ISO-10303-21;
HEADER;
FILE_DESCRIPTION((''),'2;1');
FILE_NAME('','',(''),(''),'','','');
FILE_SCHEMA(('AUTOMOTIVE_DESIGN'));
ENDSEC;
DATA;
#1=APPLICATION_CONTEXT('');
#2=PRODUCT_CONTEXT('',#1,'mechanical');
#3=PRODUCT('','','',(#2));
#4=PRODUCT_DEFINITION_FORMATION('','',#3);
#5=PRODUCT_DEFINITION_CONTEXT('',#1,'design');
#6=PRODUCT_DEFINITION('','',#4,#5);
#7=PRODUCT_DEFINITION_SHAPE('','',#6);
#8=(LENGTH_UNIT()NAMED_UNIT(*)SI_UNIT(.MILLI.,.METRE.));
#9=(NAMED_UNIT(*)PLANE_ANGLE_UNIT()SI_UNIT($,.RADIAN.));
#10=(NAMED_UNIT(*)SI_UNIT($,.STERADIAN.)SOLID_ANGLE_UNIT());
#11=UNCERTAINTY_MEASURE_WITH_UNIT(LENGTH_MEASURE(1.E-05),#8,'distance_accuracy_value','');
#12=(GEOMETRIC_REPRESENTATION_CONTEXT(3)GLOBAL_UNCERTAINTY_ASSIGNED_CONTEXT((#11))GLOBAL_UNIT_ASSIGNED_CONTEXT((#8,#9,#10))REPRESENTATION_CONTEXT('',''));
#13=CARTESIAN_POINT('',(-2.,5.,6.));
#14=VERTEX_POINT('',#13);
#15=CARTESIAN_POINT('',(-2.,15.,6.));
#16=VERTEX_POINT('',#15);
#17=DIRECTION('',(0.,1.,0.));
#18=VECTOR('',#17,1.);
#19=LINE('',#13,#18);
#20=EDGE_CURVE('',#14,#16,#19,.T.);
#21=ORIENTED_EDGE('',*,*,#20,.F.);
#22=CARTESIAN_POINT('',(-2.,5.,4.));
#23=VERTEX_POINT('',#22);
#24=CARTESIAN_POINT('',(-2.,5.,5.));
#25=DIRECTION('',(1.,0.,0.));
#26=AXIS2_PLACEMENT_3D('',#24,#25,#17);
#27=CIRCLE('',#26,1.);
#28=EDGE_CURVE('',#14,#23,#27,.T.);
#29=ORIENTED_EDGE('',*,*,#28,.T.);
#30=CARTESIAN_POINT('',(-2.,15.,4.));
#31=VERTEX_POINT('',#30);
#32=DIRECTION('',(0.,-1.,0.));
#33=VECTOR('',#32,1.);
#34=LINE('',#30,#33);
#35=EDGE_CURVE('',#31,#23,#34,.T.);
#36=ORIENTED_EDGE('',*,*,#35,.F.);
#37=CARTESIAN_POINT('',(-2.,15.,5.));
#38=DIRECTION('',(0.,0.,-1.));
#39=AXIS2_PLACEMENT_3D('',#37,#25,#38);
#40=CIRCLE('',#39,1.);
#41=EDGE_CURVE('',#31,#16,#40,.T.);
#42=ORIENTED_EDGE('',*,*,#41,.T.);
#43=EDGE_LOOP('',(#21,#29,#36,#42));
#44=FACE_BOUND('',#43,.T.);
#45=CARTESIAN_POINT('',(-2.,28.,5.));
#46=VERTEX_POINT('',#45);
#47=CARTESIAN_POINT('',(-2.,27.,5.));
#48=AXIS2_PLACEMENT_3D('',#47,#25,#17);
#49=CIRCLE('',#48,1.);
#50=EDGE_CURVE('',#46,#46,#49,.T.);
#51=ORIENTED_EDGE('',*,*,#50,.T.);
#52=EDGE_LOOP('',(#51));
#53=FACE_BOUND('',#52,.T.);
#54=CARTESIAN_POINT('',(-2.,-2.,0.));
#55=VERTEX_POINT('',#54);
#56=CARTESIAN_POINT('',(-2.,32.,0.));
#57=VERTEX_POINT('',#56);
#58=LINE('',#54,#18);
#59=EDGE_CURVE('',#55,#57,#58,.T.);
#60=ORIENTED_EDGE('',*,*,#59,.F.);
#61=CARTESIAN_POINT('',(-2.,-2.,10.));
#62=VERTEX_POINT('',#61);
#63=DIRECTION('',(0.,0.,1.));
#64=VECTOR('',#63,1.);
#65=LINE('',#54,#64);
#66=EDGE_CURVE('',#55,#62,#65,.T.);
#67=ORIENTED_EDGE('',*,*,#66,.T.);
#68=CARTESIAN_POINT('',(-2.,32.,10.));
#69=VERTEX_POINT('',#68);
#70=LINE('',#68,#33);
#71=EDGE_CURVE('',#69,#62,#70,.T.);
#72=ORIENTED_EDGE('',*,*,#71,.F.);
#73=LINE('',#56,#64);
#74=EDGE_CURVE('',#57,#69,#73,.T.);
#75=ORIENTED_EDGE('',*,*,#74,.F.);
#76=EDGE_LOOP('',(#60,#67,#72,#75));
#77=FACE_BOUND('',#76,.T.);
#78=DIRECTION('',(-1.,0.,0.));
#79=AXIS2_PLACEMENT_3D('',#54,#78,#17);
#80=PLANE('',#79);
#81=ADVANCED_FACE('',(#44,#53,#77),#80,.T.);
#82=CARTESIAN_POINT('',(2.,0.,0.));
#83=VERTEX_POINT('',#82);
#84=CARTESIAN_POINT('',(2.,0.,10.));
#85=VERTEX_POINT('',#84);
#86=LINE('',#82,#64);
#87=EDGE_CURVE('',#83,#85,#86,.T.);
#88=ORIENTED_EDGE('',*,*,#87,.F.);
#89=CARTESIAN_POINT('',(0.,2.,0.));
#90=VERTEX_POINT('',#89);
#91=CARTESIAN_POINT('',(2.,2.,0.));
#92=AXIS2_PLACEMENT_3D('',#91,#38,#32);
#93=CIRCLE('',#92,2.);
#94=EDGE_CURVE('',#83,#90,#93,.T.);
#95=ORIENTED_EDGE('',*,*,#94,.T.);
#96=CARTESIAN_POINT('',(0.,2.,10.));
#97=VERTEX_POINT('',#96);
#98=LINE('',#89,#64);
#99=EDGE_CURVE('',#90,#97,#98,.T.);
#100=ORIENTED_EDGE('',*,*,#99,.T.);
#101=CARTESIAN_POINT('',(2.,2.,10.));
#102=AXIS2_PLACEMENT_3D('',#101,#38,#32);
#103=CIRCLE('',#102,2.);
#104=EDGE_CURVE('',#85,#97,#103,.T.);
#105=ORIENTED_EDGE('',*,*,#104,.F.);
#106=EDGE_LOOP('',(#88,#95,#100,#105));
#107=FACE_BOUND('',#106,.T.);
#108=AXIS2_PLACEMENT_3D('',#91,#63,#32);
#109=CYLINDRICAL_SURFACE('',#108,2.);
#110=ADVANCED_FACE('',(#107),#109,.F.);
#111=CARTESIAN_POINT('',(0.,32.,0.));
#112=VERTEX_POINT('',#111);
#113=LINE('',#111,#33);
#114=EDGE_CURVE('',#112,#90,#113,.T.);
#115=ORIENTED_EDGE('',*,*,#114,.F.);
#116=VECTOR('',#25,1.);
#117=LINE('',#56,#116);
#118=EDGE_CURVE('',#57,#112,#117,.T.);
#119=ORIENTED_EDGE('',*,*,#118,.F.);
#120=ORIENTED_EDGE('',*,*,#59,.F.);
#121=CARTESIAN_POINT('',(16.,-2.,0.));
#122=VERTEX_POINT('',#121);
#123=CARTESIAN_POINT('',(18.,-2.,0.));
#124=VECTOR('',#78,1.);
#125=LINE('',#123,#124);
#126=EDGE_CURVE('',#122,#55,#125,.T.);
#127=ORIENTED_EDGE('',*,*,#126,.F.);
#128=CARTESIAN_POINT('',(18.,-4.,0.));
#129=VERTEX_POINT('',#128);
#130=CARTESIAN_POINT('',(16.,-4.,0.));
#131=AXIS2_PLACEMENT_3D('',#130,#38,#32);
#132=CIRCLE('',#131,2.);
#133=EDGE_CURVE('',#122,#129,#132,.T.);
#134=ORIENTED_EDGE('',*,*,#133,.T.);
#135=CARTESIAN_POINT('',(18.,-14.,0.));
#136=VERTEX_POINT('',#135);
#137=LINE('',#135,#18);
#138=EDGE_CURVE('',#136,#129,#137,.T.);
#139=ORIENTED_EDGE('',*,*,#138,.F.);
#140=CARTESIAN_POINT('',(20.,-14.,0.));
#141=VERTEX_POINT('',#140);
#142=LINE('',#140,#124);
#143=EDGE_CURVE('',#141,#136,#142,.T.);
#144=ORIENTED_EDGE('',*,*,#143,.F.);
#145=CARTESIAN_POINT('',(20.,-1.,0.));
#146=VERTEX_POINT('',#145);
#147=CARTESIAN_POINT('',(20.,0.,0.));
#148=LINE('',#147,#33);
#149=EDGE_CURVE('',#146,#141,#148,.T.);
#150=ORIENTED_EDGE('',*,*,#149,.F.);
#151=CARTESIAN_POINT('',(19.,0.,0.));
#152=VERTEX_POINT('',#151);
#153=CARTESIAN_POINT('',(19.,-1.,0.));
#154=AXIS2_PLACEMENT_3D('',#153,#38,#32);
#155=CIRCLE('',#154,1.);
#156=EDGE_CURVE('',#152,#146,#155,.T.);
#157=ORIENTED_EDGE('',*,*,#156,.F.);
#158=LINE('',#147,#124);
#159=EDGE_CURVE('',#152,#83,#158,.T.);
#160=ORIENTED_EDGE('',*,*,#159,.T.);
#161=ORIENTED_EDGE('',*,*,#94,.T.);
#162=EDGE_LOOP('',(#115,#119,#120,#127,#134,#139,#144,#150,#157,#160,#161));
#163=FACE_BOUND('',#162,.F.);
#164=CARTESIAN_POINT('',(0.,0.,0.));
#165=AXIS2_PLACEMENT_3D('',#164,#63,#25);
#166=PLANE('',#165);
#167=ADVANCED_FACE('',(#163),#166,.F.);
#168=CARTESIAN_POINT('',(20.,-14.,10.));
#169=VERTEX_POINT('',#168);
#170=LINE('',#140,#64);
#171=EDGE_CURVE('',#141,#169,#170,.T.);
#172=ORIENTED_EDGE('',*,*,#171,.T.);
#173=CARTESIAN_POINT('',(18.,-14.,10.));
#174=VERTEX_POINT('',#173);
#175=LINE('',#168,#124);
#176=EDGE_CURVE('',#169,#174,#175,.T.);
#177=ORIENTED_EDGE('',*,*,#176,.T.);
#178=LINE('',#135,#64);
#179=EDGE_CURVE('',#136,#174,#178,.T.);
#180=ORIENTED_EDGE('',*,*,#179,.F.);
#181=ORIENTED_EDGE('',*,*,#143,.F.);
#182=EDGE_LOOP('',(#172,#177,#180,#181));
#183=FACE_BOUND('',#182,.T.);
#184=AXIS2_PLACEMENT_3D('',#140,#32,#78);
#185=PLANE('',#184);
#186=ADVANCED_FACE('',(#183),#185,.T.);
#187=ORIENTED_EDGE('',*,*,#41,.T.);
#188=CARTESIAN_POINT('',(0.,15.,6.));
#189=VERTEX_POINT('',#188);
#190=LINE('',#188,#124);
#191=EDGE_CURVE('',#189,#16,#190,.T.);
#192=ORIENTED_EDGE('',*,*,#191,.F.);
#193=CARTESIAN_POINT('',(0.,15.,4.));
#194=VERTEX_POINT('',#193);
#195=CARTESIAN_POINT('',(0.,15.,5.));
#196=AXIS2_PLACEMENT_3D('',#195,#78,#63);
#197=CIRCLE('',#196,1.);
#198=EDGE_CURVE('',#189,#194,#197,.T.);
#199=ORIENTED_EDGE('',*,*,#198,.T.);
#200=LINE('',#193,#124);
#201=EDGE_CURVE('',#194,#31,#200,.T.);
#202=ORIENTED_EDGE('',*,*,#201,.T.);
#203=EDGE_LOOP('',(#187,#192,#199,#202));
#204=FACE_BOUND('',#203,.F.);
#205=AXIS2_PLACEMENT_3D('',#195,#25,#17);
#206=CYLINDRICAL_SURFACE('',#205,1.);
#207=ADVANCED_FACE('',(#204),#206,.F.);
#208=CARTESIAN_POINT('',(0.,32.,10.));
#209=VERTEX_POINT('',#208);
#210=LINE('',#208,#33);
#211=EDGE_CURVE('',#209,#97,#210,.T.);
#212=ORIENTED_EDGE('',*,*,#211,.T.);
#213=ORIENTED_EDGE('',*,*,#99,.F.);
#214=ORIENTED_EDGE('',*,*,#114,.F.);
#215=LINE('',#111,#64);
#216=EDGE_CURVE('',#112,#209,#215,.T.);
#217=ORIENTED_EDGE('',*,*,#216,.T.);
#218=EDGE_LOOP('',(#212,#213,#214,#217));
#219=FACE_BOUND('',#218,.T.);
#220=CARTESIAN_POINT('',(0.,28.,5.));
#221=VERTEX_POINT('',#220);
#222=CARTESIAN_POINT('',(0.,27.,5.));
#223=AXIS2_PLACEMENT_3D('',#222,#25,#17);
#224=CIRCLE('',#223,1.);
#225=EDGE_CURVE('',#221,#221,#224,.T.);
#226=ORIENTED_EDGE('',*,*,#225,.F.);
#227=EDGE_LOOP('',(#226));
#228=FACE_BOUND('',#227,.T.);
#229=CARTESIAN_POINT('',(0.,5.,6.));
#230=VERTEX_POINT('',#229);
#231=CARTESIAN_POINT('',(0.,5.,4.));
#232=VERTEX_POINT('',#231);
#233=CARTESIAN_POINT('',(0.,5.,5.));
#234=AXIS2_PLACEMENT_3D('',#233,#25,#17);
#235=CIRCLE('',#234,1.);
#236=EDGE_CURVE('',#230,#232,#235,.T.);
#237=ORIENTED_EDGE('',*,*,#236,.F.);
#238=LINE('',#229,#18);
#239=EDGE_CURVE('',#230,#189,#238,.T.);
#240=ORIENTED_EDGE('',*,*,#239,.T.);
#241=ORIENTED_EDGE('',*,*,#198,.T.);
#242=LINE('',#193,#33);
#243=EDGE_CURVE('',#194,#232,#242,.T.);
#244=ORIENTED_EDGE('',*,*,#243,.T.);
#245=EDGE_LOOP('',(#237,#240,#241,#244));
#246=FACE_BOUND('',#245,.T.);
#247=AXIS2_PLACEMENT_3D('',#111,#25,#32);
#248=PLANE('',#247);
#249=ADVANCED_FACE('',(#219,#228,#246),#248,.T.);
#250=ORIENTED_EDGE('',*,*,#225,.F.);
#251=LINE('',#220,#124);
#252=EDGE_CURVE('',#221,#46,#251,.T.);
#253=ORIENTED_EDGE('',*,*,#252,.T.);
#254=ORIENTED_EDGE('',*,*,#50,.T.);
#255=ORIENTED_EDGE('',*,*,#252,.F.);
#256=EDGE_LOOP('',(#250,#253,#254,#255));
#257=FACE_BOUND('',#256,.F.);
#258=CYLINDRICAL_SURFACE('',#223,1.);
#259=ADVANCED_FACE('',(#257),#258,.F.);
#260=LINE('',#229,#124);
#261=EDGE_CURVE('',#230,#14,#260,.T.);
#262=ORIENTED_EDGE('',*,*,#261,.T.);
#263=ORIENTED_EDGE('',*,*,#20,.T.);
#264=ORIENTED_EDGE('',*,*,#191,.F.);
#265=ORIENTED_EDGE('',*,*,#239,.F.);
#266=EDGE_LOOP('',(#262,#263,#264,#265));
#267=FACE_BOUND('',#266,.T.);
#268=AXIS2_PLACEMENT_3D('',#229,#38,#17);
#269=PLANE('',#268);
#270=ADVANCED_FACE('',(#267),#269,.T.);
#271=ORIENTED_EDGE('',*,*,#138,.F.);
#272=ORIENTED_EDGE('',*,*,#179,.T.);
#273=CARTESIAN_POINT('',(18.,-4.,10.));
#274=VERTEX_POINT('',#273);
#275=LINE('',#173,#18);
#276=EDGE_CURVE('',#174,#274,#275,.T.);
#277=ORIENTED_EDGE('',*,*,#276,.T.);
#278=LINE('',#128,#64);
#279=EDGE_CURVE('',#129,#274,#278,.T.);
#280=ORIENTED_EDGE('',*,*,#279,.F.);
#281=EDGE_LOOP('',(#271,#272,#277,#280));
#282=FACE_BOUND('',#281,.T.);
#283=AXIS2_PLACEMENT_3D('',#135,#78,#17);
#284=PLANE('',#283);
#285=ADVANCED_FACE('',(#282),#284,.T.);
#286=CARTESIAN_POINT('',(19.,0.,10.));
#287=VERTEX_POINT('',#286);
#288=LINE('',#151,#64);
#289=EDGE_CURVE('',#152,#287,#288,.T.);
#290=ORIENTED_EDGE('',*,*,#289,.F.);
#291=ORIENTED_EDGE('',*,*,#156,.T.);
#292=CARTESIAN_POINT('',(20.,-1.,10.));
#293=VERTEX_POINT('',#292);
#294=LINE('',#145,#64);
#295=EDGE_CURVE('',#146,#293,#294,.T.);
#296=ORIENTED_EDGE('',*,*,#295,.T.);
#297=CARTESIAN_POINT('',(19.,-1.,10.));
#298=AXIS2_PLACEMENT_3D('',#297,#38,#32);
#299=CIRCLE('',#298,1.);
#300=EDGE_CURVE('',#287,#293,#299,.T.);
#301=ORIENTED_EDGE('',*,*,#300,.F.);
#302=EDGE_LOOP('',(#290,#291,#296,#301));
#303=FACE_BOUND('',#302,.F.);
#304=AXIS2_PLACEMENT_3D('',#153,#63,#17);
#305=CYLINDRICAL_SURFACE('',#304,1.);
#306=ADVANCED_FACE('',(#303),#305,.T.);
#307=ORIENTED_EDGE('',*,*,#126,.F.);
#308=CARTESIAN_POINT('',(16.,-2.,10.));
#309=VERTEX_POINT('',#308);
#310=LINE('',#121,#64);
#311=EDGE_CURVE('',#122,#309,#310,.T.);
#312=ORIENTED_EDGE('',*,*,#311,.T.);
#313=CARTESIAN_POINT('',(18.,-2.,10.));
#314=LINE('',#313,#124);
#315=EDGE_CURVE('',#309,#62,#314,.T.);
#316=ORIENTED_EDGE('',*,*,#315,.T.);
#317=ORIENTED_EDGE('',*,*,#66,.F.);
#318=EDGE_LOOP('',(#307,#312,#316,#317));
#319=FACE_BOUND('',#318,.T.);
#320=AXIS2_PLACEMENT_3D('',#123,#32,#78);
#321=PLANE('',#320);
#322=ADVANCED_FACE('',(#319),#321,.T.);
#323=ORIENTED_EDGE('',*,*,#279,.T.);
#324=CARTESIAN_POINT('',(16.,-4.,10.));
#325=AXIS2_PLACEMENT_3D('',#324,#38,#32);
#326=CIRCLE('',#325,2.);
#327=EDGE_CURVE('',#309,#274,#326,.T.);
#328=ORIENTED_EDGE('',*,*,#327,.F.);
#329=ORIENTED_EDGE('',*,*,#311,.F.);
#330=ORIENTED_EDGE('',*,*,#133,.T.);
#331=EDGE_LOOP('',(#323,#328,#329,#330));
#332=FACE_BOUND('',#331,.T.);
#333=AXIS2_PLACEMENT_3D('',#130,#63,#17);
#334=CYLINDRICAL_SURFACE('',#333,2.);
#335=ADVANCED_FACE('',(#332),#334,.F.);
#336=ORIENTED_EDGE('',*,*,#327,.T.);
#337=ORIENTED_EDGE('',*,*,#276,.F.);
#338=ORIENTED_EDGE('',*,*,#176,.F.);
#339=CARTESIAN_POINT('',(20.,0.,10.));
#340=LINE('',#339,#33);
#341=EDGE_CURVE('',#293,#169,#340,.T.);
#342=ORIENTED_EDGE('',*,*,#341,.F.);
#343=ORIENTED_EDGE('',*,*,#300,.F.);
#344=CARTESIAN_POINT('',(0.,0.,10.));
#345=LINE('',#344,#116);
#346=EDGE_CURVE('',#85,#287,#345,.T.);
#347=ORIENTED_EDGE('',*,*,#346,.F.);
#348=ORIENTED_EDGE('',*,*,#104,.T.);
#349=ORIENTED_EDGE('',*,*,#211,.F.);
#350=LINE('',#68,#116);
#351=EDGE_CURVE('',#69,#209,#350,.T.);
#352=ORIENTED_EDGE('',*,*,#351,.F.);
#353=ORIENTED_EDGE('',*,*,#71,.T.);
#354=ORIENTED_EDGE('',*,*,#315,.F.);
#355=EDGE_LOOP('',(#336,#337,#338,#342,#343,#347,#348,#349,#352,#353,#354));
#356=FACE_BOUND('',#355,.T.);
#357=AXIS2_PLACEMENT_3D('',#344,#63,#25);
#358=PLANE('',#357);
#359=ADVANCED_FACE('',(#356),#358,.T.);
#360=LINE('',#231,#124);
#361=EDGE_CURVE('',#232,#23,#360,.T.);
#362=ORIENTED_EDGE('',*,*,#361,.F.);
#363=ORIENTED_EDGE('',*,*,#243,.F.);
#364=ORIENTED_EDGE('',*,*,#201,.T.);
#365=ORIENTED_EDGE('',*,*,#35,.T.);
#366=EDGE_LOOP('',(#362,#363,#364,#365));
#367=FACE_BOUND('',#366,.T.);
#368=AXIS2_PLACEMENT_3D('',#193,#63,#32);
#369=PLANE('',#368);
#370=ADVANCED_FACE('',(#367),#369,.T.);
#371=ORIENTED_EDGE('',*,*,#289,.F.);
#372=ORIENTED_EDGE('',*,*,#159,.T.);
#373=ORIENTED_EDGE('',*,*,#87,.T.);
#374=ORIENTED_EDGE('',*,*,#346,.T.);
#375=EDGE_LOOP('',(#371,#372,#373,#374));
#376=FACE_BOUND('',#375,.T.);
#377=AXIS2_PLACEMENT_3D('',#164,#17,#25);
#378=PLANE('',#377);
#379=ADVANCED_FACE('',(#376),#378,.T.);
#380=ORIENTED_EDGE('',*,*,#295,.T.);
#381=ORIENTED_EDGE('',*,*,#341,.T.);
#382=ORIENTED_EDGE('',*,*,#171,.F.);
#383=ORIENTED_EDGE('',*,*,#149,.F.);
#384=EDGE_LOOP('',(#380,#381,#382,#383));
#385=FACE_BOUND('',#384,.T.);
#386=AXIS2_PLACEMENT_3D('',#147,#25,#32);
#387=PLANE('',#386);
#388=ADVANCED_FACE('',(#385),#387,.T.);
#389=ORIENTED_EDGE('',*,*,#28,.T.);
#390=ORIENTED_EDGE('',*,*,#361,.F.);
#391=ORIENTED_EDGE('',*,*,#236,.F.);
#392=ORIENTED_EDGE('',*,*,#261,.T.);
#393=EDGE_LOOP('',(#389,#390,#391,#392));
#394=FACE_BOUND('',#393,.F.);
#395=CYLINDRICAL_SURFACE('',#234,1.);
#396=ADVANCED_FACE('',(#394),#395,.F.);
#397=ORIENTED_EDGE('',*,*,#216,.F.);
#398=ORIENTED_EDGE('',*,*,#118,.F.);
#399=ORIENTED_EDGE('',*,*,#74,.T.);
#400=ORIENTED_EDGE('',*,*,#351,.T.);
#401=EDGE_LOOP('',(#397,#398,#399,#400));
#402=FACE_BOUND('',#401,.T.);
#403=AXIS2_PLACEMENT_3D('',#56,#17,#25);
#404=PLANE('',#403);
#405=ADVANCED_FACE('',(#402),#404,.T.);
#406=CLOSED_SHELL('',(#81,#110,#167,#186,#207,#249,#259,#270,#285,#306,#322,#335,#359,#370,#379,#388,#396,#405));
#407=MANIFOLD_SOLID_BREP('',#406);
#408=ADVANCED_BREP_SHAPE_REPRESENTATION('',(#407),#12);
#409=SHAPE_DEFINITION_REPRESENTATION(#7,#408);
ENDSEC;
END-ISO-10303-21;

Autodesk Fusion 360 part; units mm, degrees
sketch "Sketch2" plane through (0, 0, 0) normal (0, 0, 1) x (1, 0, 0)
  line L0 (0, 0) -> (-2, 0)
  line L1 (-2, 0) -> (-2, 32)
  line L2 (-2, 32) -> (0, 32)
  line L3 (0, 32) -> (0, 0)
  line L4 (-2, 0) -> (18, 0)
  line L5 (18, 0) -> (18, -2)
  line L6 (18, -2) -> (-2, -2)
  line L7 (-2, -2) -> (-2, 0)
  line L8 (18, 0) -> (20, 0)
  line L9 (20, 0) -> (20, -14)
  line L10 (20, -14) -> (18, -14)
  line L11 (18, -14) -> (18, 0)
  dimension "d5" = 2
  dimension "d6" = 32
  dimension "d7" = 20
  dimension "d8" = 2
  dimension "d9" = 2
  dimension "d10" = 14
extrude "Extrude1" add sketch "Sketch2" along normal blind 10
sketch "Sketch3" plane through (0, 0, 0) normal (1, 0, 0) x (0, 1, 0)
  line L0 (0, 0) -> (32, 0)
  line L1 (32, 0) -> (32, 10)
  line L2 (32, 10) -> (0, 10)
  line L3 (0, 10) -> (0, 0)
  circle A0 centre (27, 5) radius 1
  circle A1 centre (15, 5) radius 1
  circle A2 centre (5, 5) radius 1
  line L4 (5, 6) -> (15, 6)
  line L5 (15, 6) -> (15, 4)
  line L6 (15, 4) -> (5, 4)
  line L7 (5, 4) -> (5, 6)
  dimension "d15" = 2
  dimension "d16" = 5
  dimension "d17" = 5
  dimension "d18" = 2
  dimension "d19" = 15
  dimension "d20" = 2
  dimension "d21" = 5
  dimension "d22" = 5
  dimension "d23" = 5
  dimension "d24" = 2
extrude "Extrude2" cut sketch "Sketch3" against normal blind 2 contours A0 | A1 L5 | A1 L5 | A1 A2 L4 L6 | A2 L7 | A2 L7
fillet "Fillet1" radius 2 1 edges at (0, 0, 5)
fillet "Fillet1" radius 2 1 edges at (18, -2, 5)
fillet "Fillet1" radius 1 1 edges at (20, 0, 5)
equation "thickness = 2 mm"
equation "d5 = thickness"
equation "d7 = window_depth"
equation "d8 = thickness"
equation "d9 = thickness"
equation "width = 10 mm"
equation "d12 = width"
equation "hole = 2 mm"
equation "d15 = hole"
equation "d16 = width / 2"
equation "d17 = width / 2"
equation "d18 = hole"
equation "d19 = width + width / 2"
equation "d20 = hole"
equation "d21 = width / 2"
equation "d22 = width / 2"
equation "d23 = width / 2"
equation "d24 = hole"
equation "d25 = -thickness"
equation "d28 = thickness"
equation "d30 = thickness"
equation "d32 = thickness / 2"
equation "window_depth = 20 mm"
